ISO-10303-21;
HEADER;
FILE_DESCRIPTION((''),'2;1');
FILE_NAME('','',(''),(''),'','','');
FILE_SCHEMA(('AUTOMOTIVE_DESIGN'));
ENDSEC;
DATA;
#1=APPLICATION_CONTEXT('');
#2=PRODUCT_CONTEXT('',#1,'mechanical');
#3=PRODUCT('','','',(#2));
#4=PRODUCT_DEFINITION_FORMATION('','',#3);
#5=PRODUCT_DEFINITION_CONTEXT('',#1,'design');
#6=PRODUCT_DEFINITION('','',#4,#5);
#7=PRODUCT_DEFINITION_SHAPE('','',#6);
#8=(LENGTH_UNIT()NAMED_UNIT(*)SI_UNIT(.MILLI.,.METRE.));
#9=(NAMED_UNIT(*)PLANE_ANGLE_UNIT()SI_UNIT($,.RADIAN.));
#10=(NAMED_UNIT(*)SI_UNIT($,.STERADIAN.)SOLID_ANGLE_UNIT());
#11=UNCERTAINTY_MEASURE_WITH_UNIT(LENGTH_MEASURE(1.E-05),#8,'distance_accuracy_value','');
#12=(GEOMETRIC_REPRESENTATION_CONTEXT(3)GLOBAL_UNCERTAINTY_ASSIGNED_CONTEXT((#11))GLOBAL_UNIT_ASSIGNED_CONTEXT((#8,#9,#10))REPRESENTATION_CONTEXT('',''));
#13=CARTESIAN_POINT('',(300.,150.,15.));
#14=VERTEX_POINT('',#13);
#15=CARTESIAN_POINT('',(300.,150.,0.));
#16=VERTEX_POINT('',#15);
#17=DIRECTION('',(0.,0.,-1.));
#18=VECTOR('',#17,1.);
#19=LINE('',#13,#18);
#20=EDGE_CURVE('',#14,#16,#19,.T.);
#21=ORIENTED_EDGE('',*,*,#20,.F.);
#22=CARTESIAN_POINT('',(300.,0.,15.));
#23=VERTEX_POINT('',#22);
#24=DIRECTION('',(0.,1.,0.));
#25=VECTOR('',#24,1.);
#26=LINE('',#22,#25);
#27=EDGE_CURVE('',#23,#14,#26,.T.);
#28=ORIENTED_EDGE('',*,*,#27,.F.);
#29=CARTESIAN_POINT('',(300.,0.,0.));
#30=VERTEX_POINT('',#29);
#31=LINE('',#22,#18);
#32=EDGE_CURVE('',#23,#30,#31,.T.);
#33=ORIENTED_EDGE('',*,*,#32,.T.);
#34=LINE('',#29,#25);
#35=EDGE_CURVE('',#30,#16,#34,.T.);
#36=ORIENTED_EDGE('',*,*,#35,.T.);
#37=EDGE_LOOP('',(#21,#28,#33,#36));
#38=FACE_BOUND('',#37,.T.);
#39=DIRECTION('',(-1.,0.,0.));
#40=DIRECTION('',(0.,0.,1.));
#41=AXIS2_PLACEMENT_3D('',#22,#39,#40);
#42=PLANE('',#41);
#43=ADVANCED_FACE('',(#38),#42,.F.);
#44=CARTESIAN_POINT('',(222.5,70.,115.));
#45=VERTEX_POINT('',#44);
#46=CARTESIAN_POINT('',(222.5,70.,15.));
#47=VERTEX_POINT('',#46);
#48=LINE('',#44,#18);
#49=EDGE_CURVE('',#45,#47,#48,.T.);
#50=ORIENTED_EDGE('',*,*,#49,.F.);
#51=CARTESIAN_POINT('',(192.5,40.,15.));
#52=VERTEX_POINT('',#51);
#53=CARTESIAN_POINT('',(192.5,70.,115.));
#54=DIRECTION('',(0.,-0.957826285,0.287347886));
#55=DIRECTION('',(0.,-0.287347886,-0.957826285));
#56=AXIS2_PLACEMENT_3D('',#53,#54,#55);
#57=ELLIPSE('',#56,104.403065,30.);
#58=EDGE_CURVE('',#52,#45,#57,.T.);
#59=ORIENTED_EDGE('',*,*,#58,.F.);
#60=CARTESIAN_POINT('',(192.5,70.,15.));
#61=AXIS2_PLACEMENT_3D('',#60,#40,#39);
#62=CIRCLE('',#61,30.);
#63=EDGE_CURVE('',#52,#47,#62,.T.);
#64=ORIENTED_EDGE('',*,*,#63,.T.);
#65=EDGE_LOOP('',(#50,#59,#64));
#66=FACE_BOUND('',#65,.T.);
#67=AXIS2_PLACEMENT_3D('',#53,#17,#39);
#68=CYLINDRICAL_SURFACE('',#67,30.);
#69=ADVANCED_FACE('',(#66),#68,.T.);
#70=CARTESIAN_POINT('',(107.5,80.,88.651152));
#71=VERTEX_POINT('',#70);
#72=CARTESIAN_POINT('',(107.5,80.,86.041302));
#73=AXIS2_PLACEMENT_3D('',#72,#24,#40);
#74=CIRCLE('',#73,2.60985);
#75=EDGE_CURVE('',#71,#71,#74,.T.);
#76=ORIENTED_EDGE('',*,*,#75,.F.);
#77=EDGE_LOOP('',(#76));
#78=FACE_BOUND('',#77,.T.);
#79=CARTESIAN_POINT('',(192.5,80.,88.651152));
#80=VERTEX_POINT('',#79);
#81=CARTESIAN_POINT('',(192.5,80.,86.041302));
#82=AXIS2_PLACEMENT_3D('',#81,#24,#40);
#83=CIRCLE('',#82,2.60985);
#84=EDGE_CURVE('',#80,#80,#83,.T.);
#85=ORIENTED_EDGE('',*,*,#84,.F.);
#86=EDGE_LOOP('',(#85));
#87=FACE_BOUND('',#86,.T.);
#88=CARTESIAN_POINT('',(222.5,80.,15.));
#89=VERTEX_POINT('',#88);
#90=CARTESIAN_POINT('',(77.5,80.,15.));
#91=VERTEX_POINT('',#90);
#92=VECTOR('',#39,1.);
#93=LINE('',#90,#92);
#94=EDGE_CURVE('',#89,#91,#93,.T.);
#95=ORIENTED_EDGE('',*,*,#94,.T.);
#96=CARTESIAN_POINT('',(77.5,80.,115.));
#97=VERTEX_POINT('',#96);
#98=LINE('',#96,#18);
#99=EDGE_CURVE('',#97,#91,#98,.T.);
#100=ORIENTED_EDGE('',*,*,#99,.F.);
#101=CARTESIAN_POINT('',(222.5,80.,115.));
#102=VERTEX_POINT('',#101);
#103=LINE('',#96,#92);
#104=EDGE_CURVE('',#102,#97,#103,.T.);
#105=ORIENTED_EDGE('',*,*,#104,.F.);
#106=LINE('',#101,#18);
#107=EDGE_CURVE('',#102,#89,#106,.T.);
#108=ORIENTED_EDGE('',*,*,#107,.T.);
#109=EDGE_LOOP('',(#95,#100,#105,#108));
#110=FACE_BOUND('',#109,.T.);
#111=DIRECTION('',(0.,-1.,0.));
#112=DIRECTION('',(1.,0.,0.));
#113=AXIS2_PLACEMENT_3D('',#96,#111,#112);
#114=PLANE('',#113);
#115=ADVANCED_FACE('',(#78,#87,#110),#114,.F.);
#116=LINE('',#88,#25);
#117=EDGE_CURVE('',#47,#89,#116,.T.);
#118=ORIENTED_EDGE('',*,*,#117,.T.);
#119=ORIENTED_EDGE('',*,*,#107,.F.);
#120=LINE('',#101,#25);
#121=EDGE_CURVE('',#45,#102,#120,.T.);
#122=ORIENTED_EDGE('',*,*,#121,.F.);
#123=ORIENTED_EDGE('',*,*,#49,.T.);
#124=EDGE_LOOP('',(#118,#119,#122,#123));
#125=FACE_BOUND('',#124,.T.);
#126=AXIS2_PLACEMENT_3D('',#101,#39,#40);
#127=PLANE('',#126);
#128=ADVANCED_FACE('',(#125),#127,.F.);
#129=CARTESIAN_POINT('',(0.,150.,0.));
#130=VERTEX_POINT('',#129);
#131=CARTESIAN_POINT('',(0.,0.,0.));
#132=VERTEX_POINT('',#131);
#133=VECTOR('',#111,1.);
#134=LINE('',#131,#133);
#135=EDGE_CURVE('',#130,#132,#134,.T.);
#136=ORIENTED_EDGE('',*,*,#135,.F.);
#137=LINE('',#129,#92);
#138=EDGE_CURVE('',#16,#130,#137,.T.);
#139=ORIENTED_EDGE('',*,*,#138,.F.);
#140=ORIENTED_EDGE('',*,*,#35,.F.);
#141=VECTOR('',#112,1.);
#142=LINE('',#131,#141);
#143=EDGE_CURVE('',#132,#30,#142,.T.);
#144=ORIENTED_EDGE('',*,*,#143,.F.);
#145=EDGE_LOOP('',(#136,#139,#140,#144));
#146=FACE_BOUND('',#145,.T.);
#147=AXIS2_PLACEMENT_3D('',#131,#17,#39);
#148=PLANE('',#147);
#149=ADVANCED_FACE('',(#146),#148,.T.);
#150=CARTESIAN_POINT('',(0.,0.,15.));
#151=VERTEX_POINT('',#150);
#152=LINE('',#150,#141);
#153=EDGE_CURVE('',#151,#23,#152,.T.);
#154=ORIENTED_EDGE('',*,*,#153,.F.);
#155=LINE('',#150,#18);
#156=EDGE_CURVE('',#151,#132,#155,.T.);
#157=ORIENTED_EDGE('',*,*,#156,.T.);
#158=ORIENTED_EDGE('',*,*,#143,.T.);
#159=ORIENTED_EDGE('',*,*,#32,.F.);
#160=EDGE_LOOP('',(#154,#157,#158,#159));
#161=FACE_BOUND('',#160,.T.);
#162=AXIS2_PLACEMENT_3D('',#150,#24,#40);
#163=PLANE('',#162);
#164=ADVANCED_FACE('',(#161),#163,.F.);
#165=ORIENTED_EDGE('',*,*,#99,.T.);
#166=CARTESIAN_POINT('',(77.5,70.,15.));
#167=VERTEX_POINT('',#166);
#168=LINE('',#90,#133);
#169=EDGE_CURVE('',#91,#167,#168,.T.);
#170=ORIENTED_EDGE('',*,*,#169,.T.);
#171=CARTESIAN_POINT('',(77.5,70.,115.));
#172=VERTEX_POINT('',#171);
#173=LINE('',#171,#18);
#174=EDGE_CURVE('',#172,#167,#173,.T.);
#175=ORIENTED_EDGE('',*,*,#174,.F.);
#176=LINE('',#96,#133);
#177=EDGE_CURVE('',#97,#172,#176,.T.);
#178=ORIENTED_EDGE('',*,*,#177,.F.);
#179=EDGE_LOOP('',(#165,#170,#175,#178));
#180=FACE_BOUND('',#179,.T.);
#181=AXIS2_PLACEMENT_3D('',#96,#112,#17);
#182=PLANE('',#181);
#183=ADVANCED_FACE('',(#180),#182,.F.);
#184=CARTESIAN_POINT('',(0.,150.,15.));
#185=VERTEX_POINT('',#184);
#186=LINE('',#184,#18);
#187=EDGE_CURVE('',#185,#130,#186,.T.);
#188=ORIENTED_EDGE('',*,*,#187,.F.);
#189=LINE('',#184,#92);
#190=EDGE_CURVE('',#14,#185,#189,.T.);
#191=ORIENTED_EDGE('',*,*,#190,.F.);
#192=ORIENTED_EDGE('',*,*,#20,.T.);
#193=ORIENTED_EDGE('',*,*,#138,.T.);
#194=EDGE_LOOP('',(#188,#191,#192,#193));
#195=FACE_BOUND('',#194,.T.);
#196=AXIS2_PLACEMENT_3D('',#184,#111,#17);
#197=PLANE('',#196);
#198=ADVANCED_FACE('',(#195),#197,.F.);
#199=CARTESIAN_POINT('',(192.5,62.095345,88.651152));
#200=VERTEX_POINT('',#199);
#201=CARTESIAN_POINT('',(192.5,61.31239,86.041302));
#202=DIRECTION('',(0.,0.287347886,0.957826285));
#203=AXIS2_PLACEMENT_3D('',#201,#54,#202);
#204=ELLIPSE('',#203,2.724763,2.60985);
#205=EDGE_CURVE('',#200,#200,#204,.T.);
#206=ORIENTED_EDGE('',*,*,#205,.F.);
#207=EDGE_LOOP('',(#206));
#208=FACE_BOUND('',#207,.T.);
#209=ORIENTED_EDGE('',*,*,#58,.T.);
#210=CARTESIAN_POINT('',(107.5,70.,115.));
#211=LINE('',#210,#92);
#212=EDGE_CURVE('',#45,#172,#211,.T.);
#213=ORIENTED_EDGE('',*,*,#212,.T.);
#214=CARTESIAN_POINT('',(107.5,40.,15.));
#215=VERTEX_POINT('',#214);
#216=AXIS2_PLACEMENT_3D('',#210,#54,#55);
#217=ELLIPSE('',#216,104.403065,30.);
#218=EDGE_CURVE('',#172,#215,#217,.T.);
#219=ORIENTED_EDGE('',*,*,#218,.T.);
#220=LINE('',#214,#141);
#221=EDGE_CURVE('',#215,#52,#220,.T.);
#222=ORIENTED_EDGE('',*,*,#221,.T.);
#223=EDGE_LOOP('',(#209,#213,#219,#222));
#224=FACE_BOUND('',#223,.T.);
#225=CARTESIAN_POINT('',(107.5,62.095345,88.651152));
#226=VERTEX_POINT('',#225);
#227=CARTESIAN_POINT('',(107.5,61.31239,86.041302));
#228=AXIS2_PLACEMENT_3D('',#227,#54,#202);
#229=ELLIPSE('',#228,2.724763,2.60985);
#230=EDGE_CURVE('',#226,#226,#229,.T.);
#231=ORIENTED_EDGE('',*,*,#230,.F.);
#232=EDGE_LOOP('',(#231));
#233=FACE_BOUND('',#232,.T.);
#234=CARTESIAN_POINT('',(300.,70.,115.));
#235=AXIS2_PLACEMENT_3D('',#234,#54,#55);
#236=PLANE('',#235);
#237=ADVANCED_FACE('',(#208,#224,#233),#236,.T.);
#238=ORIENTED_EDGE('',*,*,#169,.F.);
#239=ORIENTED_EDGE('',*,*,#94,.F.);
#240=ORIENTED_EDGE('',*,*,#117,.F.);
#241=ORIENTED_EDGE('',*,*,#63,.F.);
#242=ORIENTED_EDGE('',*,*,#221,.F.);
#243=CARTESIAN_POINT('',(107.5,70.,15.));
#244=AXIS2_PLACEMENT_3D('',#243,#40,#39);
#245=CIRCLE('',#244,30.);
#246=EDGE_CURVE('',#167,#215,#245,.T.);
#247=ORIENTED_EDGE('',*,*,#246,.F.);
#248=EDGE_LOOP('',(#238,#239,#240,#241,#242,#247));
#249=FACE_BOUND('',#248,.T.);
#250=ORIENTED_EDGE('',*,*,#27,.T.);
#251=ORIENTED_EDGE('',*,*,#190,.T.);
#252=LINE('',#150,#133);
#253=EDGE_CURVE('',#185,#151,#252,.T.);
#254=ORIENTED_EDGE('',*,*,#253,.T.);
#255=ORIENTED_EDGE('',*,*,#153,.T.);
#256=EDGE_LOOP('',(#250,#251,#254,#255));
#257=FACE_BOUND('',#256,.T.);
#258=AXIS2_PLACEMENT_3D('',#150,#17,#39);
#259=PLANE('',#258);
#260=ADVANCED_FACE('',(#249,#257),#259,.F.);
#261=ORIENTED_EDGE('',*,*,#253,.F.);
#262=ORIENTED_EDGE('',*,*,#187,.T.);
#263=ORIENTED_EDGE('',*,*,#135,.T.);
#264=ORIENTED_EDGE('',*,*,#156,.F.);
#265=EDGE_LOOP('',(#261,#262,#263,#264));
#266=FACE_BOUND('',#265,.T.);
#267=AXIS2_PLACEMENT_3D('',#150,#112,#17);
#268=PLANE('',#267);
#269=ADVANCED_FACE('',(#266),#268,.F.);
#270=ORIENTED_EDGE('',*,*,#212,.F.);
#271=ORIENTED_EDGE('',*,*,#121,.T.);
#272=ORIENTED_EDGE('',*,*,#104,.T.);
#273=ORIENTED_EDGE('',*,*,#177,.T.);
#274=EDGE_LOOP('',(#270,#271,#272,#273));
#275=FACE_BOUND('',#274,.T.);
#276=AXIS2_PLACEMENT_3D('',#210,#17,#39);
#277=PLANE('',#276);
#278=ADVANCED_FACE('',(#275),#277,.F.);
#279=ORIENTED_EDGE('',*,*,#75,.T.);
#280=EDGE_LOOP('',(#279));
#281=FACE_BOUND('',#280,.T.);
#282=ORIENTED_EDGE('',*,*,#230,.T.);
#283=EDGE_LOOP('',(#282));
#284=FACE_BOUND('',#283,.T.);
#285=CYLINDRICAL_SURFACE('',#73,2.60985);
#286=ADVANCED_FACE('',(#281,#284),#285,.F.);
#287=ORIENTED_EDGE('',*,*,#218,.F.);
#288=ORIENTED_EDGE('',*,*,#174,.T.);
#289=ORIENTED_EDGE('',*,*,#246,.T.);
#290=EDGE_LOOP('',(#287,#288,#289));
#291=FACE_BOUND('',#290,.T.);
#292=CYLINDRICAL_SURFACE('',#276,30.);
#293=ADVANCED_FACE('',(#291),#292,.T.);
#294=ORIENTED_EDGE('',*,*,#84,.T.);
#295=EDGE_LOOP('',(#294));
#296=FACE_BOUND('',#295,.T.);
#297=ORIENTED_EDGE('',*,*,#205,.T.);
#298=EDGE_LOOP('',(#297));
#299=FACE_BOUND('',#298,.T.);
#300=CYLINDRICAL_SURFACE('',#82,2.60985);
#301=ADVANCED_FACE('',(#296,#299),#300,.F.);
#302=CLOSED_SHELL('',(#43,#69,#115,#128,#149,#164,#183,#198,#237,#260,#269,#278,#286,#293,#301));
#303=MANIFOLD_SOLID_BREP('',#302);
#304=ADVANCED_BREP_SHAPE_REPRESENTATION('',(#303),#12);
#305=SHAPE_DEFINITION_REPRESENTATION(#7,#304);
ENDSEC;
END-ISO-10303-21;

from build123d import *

# Parameters (mm, degrees)
SKETCH1_W                       = 300
SKETCH1_H                       = 150
BOSS_EXTRUDE1_DEPTH             = 15
BOSS_EXTRUDE2_DEPTH             = 100
CUT_EXTRUDE1_DEPTH              = 301
F_5_0_2055_DIAMETER_HOLE1_D     = 5.2197
F_5_0_2055_DIAMETER_HOLE1_DEPTH = 25
F_5_0_2055_DIAMETER_HOLE1_TIP   = 1.568156087


with BuildPart() as part:
    # Sketch1 → Boss-Extrude1 (new body)
    with BuildSketch(Plane.XY):
        with Locations((150, 75)):
            Rectangle(SKETCH1_W, SKETCH1_H)
    extrude(amount=BOSS_EXTRUDE1_DEPTH)

    # Sketch2 → Boss-Extrude2 (add)
    with BuildSketch(Plane.XY.offset(15)):
        with BuildLine():
            Line((77.5, 80), (222.5, 80))
            Line((222.5, 80), (222.5, 70))
            ThreePointArc((222.5, 70), (213.713203436, 48.786796564), (192.5, 40))
            Line((192.5, 40), (107.5, 40))
            ThreePointArc((107.5, 40), (86.286796564, 48.786796564), (77.5, 70))
            Line((77.5, 70), (77.5, 80))
        make_face()
    extrude(amount=BOSS_EXTRUDE2_DEPTH)

    # Sketch3 → Cut-Extrude1 (cut, through all)
    with BuildSketch(Plane(origin=(0, 0, 0), x_dir=(0, 0, -1), z_dir=(1, 0, 0))):
        Polygon((-115, 70), (-15, 40), (-115, 40), align=None)
    extrude(amount=CUT_EXTRUDE1_DEPTH, mode=Mode.SUBTRACT)

    # #5 (0.2055) Diameter Hole1
    with Locations(Plane(origin=(0, 80, 0), x_dir=(1, 0, 0), z_dir=(0, 1, 0))):
        with Locations((107.5, -86.041301647), (192.5, -86.041301647)):
            Hole(F_5_0_2055_DIAMETER_HOLE1_D / 2, depth=F_5_0_2055_DIAMETER_HOLE1_DEPTH)
            with Locations((0, 0, -(F_5_0_2055_DIAMETER_HOLE1_DEPTH + F_5_0_2055_DIAMETER_HOLE1_TIP / 2))):  # 118° drill point
                Cone(0, F_5_0_2055_DIAMETER_HOLE1_D / 2, F_5_0_2055_DIAMETER_HOLE1_TIP, mode=Mode.SUBTRACT)


solid = part.part
